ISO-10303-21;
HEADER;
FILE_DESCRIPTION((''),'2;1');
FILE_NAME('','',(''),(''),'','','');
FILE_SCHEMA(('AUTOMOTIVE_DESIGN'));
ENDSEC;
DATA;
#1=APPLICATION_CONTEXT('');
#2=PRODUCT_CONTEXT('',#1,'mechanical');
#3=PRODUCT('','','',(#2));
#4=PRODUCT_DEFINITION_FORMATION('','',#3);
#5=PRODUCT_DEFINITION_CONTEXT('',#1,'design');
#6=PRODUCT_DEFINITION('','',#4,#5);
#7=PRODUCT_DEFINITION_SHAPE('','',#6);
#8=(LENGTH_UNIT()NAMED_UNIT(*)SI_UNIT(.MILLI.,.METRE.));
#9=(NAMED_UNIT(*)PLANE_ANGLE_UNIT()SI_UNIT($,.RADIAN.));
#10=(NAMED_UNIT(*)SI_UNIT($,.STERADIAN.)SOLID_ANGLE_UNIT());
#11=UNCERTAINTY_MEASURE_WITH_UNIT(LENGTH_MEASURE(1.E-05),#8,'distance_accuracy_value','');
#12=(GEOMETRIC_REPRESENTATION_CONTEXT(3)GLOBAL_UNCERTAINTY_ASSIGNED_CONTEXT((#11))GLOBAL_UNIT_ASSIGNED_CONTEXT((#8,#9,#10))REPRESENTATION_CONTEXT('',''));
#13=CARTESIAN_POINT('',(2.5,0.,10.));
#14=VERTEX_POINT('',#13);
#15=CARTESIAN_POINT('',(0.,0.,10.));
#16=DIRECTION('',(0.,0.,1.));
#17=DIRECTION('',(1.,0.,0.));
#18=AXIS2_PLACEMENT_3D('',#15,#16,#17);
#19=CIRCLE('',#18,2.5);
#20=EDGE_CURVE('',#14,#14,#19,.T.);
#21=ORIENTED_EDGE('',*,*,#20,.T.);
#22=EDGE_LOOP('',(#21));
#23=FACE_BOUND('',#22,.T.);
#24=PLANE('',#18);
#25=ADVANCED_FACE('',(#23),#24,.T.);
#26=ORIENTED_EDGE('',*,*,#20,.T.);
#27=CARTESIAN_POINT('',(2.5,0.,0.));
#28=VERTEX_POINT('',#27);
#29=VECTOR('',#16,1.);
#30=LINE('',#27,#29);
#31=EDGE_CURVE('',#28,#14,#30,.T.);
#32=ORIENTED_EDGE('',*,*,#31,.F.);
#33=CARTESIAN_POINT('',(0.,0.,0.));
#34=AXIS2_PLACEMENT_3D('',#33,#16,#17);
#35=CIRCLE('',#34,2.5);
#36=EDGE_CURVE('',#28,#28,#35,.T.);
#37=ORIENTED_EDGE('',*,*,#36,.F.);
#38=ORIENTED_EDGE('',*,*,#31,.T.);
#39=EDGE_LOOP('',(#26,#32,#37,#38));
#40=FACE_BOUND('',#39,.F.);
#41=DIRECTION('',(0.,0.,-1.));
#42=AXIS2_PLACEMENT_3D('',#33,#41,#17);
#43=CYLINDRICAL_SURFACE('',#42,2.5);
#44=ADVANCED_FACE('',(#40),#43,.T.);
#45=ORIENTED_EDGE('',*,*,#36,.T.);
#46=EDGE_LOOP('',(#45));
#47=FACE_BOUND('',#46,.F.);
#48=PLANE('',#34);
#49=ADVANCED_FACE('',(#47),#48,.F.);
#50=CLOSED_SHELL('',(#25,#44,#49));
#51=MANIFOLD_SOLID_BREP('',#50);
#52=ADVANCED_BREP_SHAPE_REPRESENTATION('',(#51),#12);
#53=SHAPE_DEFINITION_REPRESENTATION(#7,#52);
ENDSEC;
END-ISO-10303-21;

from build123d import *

# Parameters (mm, degrees)
SKETCH1_R           = 2.5
BOSS_EXTRUDE1_DEPTH = 10


with BuildPart() as part:
    # Sketch1 → Boss-Extrude1 (new body)
    with BuildSketch(Plane.XY):
        Circle(SKETCH1_R)
    extrude(amount=BOSS_EXTRUDE1_DEPTH)


solid = part.part
